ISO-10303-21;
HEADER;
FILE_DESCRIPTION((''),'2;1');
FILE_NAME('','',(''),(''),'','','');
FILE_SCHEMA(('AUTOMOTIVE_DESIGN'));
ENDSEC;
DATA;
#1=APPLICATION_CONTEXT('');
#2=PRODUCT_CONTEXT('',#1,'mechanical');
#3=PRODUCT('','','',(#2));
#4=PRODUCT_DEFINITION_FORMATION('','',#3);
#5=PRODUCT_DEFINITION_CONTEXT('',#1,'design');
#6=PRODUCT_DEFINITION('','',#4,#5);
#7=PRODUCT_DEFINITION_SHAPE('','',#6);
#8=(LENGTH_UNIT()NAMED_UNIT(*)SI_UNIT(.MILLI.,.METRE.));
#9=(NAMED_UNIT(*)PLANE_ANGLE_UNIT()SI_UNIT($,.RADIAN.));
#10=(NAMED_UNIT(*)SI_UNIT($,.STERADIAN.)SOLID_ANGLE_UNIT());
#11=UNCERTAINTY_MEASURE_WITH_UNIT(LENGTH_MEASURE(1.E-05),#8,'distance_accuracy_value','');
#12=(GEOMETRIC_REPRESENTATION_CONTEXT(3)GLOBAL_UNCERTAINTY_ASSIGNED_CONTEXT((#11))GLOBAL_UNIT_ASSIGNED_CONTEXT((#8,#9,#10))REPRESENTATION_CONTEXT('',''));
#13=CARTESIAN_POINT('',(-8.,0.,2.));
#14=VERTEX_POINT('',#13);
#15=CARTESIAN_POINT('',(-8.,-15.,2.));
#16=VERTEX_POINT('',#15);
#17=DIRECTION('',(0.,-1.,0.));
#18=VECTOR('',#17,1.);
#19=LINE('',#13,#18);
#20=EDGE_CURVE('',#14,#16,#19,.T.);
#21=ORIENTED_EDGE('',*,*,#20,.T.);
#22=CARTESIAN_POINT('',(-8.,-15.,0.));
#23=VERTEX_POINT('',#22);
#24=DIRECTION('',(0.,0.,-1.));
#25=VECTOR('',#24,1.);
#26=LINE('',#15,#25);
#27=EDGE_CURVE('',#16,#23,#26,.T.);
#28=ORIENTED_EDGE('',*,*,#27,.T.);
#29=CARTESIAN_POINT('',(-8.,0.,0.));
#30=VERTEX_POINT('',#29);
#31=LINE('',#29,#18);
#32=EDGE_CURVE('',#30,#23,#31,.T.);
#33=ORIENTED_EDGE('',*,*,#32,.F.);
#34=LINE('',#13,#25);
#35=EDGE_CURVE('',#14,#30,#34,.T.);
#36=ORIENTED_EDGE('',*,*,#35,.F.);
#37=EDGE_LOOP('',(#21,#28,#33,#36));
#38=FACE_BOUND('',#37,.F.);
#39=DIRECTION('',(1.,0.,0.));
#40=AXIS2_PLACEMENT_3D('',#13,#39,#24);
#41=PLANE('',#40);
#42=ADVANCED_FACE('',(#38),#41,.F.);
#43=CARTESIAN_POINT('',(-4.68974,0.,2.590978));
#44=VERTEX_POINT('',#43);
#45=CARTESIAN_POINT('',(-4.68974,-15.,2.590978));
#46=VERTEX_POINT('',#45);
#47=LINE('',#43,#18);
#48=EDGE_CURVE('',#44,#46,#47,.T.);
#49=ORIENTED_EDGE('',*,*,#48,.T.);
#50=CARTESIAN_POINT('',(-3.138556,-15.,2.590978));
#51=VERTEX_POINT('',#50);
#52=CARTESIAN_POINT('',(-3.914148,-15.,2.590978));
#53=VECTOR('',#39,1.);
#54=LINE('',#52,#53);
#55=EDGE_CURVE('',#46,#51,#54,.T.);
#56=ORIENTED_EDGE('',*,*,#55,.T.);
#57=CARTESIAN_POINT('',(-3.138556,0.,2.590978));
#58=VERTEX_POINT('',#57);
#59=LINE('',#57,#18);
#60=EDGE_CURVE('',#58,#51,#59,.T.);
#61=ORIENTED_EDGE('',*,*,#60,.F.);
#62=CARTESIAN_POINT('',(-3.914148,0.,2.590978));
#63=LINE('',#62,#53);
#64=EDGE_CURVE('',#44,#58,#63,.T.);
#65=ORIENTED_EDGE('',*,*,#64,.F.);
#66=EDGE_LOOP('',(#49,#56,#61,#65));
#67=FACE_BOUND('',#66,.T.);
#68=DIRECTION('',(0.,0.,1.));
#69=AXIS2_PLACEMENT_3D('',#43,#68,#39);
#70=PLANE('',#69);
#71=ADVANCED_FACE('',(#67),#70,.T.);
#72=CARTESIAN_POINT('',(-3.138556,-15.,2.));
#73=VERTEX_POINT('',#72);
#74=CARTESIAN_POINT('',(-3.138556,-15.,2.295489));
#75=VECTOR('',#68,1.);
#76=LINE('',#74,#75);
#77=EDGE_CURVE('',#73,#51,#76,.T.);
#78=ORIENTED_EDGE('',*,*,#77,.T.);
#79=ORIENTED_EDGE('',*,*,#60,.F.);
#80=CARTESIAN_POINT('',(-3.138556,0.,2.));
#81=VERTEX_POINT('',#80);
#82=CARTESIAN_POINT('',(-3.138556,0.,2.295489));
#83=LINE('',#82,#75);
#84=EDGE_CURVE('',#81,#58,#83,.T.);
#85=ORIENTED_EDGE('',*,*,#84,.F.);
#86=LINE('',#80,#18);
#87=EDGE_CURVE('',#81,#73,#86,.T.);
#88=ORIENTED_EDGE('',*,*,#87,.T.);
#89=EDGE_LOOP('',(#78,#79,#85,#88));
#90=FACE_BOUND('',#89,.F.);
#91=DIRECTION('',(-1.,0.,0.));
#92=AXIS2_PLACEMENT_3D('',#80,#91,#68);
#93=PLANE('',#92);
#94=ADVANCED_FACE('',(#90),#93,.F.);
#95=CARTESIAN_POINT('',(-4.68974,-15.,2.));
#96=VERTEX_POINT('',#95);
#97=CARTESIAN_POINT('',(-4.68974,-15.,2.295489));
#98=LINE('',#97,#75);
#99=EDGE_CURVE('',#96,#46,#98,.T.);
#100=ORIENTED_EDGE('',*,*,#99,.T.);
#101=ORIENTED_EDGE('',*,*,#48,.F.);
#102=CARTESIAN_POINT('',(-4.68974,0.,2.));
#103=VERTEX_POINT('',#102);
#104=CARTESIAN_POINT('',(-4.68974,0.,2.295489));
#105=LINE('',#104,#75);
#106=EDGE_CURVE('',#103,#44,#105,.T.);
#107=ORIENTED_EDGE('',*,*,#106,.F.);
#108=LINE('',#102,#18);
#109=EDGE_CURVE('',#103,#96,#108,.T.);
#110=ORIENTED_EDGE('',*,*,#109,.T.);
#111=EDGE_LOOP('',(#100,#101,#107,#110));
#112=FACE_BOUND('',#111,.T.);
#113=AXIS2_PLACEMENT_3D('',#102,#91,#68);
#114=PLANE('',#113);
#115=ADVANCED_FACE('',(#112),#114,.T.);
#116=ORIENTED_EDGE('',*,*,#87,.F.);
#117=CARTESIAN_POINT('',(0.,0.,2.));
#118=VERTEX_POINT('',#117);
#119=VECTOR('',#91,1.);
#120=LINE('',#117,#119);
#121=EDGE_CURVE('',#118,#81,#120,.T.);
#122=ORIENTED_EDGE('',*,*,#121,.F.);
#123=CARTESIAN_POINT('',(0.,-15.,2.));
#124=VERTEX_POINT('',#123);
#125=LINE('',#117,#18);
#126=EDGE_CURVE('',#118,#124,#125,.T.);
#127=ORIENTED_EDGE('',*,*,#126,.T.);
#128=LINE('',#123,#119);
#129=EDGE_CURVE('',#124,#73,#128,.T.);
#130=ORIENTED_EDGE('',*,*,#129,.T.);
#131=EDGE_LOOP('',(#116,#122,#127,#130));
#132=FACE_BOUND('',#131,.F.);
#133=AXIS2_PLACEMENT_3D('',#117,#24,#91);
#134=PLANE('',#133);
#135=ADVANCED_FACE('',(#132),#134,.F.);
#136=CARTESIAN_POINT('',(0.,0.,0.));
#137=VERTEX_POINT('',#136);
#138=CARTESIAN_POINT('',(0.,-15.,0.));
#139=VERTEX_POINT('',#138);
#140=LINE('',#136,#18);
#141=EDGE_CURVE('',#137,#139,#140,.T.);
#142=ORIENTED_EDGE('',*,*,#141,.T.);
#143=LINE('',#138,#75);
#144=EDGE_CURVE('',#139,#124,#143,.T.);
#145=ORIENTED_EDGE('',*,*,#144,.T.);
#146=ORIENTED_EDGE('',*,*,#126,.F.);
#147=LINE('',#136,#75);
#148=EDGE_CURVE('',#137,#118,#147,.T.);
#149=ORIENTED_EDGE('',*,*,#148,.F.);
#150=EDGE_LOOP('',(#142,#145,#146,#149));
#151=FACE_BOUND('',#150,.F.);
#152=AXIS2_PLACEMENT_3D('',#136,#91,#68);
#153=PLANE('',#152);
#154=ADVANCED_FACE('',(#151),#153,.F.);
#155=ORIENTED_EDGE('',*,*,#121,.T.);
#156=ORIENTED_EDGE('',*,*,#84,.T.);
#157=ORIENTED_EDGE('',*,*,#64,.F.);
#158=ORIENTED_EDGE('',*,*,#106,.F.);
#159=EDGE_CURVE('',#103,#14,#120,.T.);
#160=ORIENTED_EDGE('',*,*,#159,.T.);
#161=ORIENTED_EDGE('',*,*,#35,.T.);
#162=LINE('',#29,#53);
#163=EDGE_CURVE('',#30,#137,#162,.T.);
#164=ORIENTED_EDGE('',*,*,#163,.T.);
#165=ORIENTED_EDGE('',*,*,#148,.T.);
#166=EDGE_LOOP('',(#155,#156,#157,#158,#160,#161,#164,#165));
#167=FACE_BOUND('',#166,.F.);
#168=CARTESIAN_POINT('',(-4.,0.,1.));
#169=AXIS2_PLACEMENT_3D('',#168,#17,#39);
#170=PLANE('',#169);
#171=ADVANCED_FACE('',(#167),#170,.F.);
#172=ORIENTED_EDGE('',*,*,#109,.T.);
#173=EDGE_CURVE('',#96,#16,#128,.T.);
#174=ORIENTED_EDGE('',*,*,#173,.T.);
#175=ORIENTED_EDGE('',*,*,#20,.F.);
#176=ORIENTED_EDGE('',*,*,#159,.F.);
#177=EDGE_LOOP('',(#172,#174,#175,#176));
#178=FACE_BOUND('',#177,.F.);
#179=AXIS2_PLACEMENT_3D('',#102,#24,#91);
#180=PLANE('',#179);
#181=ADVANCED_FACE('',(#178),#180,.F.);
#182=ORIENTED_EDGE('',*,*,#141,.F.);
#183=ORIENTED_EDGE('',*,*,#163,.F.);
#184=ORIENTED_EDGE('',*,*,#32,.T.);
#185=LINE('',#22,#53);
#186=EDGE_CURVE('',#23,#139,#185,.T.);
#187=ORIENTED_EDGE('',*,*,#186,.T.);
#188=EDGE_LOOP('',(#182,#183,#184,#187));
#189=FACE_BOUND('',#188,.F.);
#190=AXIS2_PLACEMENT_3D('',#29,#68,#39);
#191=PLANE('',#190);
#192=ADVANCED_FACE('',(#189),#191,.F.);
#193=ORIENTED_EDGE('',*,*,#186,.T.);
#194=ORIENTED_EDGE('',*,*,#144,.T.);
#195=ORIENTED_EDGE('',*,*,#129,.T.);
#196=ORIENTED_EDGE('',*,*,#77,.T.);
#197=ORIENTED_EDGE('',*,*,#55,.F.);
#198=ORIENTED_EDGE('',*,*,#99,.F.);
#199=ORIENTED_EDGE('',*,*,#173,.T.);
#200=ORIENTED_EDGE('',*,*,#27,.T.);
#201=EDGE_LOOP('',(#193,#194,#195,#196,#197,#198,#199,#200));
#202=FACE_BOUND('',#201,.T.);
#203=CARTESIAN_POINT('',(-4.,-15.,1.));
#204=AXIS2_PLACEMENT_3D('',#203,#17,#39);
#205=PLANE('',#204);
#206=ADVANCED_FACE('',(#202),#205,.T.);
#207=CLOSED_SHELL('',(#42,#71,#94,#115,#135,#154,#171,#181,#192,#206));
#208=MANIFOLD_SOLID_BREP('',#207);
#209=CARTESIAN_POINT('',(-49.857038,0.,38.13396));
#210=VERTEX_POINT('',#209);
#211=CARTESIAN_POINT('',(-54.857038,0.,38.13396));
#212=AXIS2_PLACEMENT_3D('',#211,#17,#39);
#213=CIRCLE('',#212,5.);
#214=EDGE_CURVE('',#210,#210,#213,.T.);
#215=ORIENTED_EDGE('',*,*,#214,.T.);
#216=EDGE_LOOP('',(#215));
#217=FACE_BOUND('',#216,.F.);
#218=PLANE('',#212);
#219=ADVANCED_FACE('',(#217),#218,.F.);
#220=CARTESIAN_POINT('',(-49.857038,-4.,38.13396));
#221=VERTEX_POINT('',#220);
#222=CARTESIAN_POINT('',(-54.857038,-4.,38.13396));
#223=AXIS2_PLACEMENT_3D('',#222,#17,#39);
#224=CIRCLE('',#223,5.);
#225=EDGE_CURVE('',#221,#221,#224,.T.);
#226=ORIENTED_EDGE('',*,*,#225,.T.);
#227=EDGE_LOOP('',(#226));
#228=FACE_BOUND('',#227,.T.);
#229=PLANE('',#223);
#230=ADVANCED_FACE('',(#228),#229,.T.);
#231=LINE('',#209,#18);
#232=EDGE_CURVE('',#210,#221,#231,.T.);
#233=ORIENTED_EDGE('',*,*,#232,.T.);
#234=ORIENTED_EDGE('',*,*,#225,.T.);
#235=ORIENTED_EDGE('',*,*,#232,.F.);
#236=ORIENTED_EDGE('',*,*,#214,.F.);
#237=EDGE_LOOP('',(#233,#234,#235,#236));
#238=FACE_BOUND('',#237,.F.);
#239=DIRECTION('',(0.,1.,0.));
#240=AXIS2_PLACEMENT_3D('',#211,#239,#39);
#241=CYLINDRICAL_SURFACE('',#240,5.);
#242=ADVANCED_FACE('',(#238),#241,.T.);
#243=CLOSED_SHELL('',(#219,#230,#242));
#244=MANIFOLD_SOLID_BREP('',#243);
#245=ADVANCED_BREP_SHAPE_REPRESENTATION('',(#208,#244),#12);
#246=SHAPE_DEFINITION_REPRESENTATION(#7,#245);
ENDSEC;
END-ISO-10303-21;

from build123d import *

# Parameters (mm, degrees)
F0_W     = 1.551184
F0_H     = 0.590979
F1_DEPTH = 15
F2_R     = 5
F3_DEPTH = 4


with BuildPart() as f1:
    # F0 (on Front) → F1 (new body)
    with BuildSketch(Plane.XZ):
        Polygon((-8, 0), (0, 0), (0, 2), (-3.138556, 2), (-4.68974, 2), (-8, 2), align=None)
        with Locations((-3.914148, 2.295489)):
            Rectangle(F0_W, F0_H)
    extrude(amount=F1_DEPTH)


with BuildPart() as f3:
    # F2 (on Front) → F3 (new body)
    with BuildSketch(Plane.XZ):
        with Locations((-54.857038, 38.13396)):
            Circle(F2_R)
    extrude(amount=F3_DEPTH)


solid = Compound([f1.part, f3.part])
